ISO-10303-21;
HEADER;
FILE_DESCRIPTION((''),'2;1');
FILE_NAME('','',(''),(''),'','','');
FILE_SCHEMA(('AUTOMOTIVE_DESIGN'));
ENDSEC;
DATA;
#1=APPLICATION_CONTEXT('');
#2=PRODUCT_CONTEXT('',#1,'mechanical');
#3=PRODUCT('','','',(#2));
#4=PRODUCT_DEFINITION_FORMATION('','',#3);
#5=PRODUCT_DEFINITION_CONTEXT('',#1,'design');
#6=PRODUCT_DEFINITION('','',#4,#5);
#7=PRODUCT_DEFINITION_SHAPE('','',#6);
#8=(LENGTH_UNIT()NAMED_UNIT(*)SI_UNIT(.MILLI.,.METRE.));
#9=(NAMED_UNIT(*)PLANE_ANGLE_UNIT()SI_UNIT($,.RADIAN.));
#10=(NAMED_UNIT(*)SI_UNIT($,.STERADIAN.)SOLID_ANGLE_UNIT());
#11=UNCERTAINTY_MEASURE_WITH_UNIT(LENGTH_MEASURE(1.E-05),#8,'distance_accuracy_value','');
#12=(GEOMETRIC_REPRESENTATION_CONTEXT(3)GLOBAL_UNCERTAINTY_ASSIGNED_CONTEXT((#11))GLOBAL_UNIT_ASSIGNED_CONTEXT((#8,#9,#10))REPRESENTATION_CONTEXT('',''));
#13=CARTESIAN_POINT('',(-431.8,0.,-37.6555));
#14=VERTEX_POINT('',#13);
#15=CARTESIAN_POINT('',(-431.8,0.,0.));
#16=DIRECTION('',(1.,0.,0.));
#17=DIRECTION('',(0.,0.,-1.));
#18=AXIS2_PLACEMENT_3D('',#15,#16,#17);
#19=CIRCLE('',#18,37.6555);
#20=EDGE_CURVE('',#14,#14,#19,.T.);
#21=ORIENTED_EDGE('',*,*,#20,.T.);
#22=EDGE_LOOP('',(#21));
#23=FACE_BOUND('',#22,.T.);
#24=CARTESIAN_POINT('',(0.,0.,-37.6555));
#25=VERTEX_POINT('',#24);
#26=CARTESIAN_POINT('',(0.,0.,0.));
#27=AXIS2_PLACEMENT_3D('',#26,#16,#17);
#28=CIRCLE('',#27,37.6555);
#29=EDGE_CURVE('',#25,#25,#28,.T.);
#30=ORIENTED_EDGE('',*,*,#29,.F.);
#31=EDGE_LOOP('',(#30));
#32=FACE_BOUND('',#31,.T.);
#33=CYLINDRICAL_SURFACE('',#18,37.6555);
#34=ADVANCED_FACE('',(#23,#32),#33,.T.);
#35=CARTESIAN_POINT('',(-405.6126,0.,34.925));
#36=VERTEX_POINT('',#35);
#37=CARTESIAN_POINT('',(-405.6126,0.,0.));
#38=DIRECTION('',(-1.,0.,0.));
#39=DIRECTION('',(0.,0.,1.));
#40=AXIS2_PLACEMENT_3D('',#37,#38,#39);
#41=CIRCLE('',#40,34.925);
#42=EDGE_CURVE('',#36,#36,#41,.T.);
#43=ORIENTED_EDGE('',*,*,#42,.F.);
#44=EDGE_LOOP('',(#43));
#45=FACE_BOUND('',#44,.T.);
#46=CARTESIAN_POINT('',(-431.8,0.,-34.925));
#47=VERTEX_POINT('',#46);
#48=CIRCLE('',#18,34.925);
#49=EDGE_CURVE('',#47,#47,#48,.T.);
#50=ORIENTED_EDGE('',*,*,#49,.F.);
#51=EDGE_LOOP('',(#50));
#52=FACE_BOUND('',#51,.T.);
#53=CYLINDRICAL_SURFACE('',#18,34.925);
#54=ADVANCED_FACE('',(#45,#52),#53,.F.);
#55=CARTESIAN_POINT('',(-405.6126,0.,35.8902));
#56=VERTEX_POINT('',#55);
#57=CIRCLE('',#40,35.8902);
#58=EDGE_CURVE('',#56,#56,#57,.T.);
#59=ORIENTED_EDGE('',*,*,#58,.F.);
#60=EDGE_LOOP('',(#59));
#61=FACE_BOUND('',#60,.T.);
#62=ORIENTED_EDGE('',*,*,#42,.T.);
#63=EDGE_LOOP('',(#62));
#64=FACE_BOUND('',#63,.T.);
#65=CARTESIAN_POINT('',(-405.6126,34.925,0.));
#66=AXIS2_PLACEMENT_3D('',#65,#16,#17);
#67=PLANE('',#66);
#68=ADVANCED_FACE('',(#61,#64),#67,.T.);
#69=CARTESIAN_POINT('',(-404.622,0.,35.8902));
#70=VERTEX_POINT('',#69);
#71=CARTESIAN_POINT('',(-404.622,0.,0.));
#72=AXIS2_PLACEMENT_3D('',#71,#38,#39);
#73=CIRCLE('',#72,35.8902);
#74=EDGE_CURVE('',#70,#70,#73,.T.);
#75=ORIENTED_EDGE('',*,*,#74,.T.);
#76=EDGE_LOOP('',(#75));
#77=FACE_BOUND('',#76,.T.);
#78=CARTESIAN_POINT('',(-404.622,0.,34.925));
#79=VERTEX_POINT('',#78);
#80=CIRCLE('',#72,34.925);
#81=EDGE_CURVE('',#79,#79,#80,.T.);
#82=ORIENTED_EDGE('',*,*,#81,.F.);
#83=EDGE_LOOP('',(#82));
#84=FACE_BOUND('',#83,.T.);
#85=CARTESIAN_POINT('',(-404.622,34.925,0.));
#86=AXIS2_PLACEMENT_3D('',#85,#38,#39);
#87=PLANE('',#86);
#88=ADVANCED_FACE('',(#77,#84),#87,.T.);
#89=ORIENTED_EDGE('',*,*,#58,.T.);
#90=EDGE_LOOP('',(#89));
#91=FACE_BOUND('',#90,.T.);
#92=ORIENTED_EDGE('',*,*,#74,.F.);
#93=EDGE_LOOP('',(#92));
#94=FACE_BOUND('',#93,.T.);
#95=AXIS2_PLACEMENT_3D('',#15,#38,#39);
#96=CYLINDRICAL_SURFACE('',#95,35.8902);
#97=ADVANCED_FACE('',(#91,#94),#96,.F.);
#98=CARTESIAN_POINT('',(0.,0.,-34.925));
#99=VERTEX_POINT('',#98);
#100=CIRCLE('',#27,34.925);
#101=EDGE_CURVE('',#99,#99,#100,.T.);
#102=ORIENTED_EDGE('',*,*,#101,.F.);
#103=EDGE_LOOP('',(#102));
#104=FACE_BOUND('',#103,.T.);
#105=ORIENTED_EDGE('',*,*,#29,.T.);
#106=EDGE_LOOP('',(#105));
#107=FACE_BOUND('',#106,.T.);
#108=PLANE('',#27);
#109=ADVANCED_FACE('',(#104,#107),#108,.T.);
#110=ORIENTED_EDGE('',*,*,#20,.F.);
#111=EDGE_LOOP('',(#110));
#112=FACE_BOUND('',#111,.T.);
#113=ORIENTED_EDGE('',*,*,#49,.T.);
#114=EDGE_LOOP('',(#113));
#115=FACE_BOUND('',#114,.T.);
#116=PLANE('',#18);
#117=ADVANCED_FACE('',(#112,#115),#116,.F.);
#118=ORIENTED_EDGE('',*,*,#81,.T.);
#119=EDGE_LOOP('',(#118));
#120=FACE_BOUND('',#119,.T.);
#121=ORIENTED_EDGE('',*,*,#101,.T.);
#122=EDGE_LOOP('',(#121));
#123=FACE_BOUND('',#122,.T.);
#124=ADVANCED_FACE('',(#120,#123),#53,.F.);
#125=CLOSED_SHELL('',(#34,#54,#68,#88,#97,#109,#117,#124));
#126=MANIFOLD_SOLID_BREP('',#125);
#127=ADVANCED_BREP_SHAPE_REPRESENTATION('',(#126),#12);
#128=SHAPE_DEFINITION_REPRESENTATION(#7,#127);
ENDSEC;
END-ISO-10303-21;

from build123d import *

# Parameters (mm, degrees)
SKETCH1_R           = 37.6555
SKETCH1_R_2         = 34.925
BOSS_EXTRUDE1_DEPTH = 431.8
SKETCH3_W           = 0.9906
SKETCH3_H           = 0.9652


with BuildPart() as part:
    # Sketch1 → Boss-Extrude1 (new body)
    with BuildSketch(Plane(origin=(0, 0, 0), x_dir=(0, 0, -1), z_dir=(1, 0, 0))):
        Circle(SKETCH1_R)
        Circle(SKETCH1_R_2, mode=Mode.SUBTRACT)
    extrude(amount=-BOSS_EXTRUDE1_DEPTH)

    # Sketch3 → Z-92479A230 Snap Ring Groove (revolve, cut)
    with BuildSketch(Plane.XY, mode=Mode.PRIVATE) as z_92479a230_snap_ring_groove_sk:
        with Locations((-405.1173, 35.4076)):
            Rectangle(SKETCH3_W, SKETCH3_H)
    revolve(z_92479a230_snap_ring_groove_sk.sketch.rotate(Axis((-431.8, 0, 0), (1, 0, 0)), 270), axis=Axis((-431.8, 0, 0), (1, 0, 0)), mode=Mode.SUBTRACT)


solid = part.part
